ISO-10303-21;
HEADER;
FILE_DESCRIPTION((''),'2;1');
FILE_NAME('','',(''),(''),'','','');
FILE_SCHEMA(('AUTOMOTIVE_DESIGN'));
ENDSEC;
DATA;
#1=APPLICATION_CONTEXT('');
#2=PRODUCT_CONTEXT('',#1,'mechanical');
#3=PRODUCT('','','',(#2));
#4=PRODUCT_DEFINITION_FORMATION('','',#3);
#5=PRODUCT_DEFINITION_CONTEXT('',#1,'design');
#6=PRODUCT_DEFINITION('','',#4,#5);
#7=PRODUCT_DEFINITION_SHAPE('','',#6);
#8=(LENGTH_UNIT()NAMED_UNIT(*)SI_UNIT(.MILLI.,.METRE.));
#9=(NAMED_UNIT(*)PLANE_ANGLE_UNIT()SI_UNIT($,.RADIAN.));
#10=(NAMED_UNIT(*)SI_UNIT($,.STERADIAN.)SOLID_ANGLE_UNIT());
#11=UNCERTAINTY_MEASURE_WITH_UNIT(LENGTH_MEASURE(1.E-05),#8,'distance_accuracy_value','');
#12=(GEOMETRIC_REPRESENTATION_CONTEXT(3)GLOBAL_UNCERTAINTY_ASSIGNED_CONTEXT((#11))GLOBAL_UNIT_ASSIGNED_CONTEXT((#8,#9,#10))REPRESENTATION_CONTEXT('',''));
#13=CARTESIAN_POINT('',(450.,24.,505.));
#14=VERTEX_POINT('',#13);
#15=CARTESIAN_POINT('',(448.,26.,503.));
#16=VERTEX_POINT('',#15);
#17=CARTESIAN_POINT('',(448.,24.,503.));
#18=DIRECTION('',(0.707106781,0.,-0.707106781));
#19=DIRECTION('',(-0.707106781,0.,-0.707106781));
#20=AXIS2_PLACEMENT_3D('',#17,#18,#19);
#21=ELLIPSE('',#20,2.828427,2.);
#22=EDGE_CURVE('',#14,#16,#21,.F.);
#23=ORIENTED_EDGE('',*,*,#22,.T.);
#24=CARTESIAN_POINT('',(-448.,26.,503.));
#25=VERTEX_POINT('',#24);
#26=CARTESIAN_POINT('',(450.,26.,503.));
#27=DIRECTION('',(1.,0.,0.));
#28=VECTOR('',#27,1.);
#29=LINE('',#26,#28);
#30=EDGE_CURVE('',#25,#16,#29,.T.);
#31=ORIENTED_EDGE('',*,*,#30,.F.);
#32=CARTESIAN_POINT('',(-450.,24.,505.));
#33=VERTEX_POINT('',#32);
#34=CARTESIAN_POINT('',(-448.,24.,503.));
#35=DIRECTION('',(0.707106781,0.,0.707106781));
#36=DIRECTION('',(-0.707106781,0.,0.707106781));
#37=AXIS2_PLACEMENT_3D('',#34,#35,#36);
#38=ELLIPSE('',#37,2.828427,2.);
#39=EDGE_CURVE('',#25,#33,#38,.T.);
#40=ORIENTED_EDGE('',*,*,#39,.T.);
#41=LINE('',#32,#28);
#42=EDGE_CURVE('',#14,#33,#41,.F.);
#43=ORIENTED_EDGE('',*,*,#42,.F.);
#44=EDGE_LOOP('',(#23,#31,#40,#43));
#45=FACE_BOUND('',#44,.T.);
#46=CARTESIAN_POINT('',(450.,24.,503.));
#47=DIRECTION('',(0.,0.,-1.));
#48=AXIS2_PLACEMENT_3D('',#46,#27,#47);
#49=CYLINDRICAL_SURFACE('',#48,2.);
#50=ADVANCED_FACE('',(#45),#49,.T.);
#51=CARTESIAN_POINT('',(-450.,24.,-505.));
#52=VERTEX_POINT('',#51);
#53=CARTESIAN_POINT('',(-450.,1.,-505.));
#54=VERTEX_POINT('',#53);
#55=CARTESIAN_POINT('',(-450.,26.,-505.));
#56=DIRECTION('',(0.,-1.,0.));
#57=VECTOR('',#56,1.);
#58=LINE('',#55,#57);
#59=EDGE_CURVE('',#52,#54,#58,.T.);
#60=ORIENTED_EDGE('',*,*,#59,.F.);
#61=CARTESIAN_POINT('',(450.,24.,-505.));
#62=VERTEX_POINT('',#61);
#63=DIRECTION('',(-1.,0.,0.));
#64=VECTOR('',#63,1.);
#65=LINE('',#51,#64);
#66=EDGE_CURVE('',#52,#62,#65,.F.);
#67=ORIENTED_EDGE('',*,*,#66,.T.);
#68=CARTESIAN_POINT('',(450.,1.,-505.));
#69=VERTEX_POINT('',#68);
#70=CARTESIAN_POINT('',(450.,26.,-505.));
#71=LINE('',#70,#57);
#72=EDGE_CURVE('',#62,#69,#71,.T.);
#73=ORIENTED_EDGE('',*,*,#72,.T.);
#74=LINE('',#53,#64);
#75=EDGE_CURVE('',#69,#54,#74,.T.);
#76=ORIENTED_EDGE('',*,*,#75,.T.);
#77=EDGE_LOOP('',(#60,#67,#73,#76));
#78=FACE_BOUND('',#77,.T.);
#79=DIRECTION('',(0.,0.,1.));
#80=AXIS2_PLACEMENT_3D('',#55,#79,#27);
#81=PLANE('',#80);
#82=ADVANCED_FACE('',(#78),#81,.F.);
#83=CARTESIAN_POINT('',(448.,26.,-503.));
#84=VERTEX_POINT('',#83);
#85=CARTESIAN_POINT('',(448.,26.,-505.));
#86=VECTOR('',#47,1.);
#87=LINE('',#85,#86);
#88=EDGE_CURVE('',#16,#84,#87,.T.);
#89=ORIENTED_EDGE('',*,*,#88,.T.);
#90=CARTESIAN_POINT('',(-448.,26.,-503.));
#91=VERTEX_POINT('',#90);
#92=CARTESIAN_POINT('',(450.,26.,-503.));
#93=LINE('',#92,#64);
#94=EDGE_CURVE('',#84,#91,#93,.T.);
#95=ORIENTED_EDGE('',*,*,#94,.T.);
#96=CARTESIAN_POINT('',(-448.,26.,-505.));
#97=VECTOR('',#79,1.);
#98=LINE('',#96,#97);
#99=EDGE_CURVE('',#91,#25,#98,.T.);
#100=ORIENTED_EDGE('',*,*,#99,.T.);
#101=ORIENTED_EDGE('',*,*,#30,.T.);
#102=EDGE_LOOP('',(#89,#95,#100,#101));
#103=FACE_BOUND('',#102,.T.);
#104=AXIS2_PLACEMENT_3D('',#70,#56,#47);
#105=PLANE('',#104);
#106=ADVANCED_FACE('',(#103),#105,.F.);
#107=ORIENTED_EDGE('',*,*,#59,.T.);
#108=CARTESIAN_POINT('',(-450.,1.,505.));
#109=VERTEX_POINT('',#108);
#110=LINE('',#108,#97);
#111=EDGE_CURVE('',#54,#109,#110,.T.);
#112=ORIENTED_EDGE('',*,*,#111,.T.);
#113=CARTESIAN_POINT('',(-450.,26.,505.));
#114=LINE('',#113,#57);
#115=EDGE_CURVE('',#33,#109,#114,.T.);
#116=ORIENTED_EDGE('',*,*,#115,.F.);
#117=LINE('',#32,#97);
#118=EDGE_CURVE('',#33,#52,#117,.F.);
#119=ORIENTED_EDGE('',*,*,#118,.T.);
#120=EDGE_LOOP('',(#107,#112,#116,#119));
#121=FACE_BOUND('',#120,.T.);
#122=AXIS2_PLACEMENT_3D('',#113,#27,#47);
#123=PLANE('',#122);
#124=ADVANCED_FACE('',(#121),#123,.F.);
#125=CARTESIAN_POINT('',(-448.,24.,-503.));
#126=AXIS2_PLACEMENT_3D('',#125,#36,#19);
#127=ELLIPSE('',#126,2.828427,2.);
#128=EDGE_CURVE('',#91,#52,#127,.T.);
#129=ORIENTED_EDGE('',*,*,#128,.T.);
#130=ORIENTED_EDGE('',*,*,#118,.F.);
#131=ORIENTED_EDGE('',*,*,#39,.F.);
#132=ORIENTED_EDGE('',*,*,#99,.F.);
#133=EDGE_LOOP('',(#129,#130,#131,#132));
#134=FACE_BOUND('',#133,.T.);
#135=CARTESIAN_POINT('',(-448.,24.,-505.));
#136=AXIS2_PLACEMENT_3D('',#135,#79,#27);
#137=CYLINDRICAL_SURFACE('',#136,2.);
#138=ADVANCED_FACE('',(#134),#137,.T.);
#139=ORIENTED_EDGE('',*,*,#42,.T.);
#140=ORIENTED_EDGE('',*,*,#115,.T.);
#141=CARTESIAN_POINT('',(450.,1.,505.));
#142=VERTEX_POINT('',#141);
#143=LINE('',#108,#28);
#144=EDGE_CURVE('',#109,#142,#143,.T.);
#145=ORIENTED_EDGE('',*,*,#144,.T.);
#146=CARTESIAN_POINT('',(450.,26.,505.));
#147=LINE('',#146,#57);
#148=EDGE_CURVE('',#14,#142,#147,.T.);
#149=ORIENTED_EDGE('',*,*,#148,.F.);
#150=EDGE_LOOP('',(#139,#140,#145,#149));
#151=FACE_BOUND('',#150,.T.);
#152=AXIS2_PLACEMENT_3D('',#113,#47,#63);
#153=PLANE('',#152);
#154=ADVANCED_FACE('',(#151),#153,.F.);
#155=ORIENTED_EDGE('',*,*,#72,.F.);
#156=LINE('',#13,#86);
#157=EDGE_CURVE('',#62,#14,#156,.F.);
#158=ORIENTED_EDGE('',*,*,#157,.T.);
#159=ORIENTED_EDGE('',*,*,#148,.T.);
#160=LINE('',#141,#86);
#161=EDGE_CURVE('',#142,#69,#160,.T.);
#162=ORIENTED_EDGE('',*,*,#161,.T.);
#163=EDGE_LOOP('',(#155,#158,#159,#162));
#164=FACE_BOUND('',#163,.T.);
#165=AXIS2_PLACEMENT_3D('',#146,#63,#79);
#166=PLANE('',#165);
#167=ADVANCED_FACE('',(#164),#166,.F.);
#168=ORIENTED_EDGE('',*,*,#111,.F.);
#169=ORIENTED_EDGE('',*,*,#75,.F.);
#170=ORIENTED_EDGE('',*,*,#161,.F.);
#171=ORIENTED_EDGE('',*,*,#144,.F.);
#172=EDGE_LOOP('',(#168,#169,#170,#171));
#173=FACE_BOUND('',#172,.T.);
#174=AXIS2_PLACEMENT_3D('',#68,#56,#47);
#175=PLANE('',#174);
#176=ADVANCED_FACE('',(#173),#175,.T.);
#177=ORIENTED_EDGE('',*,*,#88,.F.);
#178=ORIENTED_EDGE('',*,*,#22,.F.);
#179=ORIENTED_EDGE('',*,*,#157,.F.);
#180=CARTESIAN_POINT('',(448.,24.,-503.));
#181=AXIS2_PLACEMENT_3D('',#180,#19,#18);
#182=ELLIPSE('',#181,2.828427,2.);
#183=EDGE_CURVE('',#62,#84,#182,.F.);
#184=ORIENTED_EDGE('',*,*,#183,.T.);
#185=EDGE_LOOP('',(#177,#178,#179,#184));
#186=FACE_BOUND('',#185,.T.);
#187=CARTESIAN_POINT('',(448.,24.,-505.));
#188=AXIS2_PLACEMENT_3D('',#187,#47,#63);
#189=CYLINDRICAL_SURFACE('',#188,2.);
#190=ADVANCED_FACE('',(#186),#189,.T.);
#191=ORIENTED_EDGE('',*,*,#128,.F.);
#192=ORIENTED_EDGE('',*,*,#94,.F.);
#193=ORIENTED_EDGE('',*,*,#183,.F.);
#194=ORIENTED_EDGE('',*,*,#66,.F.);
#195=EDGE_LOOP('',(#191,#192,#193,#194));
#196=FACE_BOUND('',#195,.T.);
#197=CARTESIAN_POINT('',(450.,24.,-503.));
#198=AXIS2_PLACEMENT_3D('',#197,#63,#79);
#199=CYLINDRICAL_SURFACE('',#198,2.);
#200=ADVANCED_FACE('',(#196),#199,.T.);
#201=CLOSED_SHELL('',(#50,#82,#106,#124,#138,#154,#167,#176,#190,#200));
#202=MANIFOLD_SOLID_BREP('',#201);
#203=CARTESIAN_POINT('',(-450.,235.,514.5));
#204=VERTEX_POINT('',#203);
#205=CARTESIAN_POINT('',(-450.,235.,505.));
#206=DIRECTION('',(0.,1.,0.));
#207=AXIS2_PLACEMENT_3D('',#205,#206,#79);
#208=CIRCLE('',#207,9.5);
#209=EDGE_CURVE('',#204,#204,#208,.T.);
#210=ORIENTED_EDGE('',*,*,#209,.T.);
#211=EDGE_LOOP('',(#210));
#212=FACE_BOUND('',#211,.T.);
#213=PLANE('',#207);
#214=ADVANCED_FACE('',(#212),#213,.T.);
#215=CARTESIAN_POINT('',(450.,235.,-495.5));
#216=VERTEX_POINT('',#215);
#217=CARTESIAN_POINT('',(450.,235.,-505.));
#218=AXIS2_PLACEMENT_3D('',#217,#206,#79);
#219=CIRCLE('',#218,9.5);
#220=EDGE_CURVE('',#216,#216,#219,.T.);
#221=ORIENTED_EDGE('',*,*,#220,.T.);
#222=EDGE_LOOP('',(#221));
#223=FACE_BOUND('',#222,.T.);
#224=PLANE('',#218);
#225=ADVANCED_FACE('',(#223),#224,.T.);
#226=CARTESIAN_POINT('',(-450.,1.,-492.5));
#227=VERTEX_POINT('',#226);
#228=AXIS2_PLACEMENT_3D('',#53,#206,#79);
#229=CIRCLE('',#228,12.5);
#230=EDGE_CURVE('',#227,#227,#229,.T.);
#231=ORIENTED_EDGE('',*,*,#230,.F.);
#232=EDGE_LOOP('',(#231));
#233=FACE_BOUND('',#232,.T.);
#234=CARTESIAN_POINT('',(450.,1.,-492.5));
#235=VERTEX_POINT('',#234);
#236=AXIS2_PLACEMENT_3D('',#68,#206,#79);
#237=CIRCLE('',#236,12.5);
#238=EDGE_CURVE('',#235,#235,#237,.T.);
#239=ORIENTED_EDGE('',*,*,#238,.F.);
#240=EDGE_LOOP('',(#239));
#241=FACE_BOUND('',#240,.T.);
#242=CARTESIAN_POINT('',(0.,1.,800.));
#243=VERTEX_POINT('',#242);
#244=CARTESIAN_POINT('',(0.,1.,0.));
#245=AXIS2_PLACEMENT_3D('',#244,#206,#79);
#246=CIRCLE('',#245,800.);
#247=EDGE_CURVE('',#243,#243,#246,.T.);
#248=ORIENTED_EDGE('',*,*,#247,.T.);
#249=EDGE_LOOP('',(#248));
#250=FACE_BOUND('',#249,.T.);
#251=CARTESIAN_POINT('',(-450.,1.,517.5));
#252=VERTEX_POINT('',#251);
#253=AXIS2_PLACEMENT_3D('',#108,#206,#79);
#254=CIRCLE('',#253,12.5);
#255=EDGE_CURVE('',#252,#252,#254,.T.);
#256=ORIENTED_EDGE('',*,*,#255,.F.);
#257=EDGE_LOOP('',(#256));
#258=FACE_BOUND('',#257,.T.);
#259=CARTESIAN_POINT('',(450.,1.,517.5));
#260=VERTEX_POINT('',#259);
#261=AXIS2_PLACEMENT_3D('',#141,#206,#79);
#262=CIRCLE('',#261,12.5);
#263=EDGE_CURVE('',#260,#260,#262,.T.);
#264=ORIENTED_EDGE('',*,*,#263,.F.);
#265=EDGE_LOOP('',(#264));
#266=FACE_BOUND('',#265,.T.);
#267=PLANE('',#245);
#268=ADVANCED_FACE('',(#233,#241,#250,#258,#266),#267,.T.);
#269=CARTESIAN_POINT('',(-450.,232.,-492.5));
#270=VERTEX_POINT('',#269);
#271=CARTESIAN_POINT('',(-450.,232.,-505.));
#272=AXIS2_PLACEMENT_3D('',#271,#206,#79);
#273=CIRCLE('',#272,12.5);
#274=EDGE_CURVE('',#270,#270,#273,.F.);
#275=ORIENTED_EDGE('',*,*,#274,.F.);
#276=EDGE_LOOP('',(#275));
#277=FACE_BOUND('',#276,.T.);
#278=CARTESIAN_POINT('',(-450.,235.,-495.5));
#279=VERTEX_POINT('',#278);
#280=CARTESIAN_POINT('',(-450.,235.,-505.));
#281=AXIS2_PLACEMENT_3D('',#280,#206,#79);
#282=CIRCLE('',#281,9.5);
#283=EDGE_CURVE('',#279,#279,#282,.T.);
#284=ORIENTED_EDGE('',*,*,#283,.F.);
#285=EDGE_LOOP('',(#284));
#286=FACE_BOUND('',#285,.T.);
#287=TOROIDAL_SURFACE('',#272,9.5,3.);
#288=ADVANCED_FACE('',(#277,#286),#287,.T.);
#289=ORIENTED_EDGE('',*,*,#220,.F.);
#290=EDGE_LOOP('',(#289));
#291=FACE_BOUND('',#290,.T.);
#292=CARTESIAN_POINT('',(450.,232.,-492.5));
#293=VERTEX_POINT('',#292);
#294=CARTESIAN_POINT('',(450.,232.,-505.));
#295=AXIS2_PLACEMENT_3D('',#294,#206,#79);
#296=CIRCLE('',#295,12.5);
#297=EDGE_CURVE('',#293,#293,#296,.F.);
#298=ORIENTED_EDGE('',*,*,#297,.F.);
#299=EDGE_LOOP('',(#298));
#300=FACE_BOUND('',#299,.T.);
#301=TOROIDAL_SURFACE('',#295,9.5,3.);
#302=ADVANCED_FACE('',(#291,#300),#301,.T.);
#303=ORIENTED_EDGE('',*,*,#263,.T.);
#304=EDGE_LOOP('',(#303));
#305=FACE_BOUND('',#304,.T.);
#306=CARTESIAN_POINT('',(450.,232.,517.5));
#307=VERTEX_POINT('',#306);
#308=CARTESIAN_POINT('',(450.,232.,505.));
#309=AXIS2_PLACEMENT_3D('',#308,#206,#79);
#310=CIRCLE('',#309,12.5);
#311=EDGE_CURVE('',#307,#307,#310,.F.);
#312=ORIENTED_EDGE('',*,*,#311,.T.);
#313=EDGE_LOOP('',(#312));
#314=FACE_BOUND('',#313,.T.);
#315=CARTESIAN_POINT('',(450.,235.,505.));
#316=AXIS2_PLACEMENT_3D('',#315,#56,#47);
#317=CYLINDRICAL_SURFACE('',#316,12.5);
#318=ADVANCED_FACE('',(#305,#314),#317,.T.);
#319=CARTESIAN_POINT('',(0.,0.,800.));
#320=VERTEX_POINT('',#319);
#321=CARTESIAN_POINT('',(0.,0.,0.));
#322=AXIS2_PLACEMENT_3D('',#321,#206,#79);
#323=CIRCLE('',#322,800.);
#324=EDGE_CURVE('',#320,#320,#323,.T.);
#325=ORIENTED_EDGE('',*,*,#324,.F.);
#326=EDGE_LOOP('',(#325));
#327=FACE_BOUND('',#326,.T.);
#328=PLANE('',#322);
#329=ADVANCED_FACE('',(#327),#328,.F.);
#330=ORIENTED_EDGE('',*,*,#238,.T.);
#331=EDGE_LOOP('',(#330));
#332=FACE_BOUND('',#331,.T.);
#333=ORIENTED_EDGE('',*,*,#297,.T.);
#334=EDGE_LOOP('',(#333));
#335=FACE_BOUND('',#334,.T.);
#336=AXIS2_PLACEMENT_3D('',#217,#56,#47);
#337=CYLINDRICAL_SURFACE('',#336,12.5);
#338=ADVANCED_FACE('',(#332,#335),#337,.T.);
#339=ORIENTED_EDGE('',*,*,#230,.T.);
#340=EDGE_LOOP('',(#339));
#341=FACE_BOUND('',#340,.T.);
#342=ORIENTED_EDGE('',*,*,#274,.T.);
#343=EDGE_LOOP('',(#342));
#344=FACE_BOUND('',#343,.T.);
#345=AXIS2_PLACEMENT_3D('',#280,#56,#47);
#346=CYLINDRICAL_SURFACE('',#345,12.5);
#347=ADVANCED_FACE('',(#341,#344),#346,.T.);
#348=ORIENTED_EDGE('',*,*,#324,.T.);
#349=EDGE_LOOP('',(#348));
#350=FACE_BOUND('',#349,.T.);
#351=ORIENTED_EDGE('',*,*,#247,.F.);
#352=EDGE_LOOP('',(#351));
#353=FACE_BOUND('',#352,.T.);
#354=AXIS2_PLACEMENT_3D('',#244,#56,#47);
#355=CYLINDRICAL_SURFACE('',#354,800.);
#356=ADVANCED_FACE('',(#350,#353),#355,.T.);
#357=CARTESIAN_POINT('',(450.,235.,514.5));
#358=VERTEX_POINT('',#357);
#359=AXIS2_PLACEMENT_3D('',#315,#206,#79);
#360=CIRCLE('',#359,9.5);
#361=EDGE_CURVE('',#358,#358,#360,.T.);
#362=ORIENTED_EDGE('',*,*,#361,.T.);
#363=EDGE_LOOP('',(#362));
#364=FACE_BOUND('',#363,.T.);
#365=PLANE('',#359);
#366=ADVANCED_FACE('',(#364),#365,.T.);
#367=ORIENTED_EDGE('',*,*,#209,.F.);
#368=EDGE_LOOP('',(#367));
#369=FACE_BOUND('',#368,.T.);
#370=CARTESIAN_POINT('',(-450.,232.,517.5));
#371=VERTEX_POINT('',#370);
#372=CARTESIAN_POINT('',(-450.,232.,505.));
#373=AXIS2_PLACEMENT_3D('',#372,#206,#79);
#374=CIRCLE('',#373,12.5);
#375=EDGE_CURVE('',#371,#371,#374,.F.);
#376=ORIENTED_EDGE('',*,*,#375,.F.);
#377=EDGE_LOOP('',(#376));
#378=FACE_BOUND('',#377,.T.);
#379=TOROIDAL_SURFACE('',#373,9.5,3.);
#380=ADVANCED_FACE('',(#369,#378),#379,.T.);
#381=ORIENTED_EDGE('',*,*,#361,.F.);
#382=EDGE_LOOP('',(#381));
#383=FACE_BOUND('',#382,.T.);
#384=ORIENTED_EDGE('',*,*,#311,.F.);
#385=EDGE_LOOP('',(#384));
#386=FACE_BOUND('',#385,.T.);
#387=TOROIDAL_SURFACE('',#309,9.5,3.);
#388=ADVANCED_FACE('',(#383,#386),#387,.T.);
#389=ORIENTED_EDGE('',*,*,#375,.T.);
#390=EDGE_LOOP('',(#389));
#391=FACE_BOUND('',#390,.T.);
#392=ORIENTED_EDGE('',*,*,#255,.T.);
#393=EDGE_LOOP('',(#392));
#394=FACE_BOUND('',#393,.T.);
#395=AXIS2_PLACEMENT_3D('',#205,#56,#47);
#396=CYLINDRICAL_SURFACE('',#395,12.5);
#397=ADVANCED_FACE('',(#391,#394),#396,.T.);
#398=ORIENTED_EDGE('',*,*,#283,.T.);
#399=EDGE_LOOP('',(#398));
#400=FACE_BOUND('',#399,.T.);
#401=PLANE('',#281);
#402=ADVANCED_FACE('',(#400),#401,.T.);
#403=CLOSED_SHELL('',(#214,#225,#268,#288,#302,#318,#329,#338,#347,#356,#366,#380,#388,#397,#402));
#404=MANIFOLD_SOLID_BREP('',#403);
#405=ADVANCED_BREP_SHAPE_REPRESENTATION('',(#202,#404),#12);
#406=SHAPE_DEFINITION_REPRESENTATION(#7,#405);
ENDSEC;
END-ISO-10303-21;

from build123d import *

# Parameters (mm, degrees)
SKETCH1_R           = 800
BOSS_EXTRUDE1_DEPTH = 1
SKETCH2_W           = 900
SKETCH2_H           = 1010
BOSS_EXTRUDE2_DEPTH = 25
SKETCH3_R           = 12.5
BOSS_EXTRUDE3_DEPTH = 234
FILLET2_R           = 2
FILLET3_R           = 3


with BuildPart() as part:
    # Sketch1 → Boss-Extrude1 (new body)
    with BuildSketch(Plane(origin=(0, 0, 0), x_dir=(1, 0, 0), z_dir=(0, 1, 0))):
        with Locations(Location((0, 0, 0), (0, 0, 270))):
            Circle(SKETCH1_R)
    extrude(amount=BOSS_EXTRUDE1_DEPTH)

    # Sketch3 → Boss-Extrude3 (add)
    with BuildSketch(Plane(origin=(0, 1, 0), x_dir=(1, 0, 0), z_dir=(0, 1, 0))):
        with Locations(Location((-450, -505, 0), (0, 0, 270))):
            Circle(SKETCH3_R)
        with Locations(Location((450, -505, 0), (0, 0, 270))):
            Circle(SKETCH3_R)
        with Locations(Location((450, 505, 0), (0, 0, 270))):
            Circle(SKETCH3_R)
        with Locations(Location((-450, 505, 0), (0, 0, 270))):
            Circle(SKETCH3_R)
    extrude(amount=BOSS_EXTRUDE3_DEPTH)

    # Fillet3
    fillet3_edges = [part.edges().sort_by_distance(p)[0] for p in [
        (450, 235, -517.5),
        (-450, 235, -517.5),
        (-450, 235, 492.5),
        (450, 235, 492.5),
    ]]
    fillet(fillet3_edges, radius=FILLET3_R)


with BuildPart() as body_2:
    # Sketch2 → Boss-Extrude2 (new body)
    with BuildSketch(Plane(origin=(0, 1, 0), x_dir=(1, 0, 0), z_dir=(0, 1, 0))):
        Rectangle(SKETCH2_W, SKETCH2_H)
    extrude(amount=BOSS_EXTRUDE2_DEPTH)

    # Fillet2
    fillet2_edges = [body_2.edges().sort_by_distance(p)[0] for p in [
        (-450, 26, 0),
        (0, 26, 505),
        (450, 26, 0),
        (0, 26, -505),
    ]]
    fillet(fillet2_edges, radius=FILLET2_R)


solid = Compound([part.part, body_2.part])
